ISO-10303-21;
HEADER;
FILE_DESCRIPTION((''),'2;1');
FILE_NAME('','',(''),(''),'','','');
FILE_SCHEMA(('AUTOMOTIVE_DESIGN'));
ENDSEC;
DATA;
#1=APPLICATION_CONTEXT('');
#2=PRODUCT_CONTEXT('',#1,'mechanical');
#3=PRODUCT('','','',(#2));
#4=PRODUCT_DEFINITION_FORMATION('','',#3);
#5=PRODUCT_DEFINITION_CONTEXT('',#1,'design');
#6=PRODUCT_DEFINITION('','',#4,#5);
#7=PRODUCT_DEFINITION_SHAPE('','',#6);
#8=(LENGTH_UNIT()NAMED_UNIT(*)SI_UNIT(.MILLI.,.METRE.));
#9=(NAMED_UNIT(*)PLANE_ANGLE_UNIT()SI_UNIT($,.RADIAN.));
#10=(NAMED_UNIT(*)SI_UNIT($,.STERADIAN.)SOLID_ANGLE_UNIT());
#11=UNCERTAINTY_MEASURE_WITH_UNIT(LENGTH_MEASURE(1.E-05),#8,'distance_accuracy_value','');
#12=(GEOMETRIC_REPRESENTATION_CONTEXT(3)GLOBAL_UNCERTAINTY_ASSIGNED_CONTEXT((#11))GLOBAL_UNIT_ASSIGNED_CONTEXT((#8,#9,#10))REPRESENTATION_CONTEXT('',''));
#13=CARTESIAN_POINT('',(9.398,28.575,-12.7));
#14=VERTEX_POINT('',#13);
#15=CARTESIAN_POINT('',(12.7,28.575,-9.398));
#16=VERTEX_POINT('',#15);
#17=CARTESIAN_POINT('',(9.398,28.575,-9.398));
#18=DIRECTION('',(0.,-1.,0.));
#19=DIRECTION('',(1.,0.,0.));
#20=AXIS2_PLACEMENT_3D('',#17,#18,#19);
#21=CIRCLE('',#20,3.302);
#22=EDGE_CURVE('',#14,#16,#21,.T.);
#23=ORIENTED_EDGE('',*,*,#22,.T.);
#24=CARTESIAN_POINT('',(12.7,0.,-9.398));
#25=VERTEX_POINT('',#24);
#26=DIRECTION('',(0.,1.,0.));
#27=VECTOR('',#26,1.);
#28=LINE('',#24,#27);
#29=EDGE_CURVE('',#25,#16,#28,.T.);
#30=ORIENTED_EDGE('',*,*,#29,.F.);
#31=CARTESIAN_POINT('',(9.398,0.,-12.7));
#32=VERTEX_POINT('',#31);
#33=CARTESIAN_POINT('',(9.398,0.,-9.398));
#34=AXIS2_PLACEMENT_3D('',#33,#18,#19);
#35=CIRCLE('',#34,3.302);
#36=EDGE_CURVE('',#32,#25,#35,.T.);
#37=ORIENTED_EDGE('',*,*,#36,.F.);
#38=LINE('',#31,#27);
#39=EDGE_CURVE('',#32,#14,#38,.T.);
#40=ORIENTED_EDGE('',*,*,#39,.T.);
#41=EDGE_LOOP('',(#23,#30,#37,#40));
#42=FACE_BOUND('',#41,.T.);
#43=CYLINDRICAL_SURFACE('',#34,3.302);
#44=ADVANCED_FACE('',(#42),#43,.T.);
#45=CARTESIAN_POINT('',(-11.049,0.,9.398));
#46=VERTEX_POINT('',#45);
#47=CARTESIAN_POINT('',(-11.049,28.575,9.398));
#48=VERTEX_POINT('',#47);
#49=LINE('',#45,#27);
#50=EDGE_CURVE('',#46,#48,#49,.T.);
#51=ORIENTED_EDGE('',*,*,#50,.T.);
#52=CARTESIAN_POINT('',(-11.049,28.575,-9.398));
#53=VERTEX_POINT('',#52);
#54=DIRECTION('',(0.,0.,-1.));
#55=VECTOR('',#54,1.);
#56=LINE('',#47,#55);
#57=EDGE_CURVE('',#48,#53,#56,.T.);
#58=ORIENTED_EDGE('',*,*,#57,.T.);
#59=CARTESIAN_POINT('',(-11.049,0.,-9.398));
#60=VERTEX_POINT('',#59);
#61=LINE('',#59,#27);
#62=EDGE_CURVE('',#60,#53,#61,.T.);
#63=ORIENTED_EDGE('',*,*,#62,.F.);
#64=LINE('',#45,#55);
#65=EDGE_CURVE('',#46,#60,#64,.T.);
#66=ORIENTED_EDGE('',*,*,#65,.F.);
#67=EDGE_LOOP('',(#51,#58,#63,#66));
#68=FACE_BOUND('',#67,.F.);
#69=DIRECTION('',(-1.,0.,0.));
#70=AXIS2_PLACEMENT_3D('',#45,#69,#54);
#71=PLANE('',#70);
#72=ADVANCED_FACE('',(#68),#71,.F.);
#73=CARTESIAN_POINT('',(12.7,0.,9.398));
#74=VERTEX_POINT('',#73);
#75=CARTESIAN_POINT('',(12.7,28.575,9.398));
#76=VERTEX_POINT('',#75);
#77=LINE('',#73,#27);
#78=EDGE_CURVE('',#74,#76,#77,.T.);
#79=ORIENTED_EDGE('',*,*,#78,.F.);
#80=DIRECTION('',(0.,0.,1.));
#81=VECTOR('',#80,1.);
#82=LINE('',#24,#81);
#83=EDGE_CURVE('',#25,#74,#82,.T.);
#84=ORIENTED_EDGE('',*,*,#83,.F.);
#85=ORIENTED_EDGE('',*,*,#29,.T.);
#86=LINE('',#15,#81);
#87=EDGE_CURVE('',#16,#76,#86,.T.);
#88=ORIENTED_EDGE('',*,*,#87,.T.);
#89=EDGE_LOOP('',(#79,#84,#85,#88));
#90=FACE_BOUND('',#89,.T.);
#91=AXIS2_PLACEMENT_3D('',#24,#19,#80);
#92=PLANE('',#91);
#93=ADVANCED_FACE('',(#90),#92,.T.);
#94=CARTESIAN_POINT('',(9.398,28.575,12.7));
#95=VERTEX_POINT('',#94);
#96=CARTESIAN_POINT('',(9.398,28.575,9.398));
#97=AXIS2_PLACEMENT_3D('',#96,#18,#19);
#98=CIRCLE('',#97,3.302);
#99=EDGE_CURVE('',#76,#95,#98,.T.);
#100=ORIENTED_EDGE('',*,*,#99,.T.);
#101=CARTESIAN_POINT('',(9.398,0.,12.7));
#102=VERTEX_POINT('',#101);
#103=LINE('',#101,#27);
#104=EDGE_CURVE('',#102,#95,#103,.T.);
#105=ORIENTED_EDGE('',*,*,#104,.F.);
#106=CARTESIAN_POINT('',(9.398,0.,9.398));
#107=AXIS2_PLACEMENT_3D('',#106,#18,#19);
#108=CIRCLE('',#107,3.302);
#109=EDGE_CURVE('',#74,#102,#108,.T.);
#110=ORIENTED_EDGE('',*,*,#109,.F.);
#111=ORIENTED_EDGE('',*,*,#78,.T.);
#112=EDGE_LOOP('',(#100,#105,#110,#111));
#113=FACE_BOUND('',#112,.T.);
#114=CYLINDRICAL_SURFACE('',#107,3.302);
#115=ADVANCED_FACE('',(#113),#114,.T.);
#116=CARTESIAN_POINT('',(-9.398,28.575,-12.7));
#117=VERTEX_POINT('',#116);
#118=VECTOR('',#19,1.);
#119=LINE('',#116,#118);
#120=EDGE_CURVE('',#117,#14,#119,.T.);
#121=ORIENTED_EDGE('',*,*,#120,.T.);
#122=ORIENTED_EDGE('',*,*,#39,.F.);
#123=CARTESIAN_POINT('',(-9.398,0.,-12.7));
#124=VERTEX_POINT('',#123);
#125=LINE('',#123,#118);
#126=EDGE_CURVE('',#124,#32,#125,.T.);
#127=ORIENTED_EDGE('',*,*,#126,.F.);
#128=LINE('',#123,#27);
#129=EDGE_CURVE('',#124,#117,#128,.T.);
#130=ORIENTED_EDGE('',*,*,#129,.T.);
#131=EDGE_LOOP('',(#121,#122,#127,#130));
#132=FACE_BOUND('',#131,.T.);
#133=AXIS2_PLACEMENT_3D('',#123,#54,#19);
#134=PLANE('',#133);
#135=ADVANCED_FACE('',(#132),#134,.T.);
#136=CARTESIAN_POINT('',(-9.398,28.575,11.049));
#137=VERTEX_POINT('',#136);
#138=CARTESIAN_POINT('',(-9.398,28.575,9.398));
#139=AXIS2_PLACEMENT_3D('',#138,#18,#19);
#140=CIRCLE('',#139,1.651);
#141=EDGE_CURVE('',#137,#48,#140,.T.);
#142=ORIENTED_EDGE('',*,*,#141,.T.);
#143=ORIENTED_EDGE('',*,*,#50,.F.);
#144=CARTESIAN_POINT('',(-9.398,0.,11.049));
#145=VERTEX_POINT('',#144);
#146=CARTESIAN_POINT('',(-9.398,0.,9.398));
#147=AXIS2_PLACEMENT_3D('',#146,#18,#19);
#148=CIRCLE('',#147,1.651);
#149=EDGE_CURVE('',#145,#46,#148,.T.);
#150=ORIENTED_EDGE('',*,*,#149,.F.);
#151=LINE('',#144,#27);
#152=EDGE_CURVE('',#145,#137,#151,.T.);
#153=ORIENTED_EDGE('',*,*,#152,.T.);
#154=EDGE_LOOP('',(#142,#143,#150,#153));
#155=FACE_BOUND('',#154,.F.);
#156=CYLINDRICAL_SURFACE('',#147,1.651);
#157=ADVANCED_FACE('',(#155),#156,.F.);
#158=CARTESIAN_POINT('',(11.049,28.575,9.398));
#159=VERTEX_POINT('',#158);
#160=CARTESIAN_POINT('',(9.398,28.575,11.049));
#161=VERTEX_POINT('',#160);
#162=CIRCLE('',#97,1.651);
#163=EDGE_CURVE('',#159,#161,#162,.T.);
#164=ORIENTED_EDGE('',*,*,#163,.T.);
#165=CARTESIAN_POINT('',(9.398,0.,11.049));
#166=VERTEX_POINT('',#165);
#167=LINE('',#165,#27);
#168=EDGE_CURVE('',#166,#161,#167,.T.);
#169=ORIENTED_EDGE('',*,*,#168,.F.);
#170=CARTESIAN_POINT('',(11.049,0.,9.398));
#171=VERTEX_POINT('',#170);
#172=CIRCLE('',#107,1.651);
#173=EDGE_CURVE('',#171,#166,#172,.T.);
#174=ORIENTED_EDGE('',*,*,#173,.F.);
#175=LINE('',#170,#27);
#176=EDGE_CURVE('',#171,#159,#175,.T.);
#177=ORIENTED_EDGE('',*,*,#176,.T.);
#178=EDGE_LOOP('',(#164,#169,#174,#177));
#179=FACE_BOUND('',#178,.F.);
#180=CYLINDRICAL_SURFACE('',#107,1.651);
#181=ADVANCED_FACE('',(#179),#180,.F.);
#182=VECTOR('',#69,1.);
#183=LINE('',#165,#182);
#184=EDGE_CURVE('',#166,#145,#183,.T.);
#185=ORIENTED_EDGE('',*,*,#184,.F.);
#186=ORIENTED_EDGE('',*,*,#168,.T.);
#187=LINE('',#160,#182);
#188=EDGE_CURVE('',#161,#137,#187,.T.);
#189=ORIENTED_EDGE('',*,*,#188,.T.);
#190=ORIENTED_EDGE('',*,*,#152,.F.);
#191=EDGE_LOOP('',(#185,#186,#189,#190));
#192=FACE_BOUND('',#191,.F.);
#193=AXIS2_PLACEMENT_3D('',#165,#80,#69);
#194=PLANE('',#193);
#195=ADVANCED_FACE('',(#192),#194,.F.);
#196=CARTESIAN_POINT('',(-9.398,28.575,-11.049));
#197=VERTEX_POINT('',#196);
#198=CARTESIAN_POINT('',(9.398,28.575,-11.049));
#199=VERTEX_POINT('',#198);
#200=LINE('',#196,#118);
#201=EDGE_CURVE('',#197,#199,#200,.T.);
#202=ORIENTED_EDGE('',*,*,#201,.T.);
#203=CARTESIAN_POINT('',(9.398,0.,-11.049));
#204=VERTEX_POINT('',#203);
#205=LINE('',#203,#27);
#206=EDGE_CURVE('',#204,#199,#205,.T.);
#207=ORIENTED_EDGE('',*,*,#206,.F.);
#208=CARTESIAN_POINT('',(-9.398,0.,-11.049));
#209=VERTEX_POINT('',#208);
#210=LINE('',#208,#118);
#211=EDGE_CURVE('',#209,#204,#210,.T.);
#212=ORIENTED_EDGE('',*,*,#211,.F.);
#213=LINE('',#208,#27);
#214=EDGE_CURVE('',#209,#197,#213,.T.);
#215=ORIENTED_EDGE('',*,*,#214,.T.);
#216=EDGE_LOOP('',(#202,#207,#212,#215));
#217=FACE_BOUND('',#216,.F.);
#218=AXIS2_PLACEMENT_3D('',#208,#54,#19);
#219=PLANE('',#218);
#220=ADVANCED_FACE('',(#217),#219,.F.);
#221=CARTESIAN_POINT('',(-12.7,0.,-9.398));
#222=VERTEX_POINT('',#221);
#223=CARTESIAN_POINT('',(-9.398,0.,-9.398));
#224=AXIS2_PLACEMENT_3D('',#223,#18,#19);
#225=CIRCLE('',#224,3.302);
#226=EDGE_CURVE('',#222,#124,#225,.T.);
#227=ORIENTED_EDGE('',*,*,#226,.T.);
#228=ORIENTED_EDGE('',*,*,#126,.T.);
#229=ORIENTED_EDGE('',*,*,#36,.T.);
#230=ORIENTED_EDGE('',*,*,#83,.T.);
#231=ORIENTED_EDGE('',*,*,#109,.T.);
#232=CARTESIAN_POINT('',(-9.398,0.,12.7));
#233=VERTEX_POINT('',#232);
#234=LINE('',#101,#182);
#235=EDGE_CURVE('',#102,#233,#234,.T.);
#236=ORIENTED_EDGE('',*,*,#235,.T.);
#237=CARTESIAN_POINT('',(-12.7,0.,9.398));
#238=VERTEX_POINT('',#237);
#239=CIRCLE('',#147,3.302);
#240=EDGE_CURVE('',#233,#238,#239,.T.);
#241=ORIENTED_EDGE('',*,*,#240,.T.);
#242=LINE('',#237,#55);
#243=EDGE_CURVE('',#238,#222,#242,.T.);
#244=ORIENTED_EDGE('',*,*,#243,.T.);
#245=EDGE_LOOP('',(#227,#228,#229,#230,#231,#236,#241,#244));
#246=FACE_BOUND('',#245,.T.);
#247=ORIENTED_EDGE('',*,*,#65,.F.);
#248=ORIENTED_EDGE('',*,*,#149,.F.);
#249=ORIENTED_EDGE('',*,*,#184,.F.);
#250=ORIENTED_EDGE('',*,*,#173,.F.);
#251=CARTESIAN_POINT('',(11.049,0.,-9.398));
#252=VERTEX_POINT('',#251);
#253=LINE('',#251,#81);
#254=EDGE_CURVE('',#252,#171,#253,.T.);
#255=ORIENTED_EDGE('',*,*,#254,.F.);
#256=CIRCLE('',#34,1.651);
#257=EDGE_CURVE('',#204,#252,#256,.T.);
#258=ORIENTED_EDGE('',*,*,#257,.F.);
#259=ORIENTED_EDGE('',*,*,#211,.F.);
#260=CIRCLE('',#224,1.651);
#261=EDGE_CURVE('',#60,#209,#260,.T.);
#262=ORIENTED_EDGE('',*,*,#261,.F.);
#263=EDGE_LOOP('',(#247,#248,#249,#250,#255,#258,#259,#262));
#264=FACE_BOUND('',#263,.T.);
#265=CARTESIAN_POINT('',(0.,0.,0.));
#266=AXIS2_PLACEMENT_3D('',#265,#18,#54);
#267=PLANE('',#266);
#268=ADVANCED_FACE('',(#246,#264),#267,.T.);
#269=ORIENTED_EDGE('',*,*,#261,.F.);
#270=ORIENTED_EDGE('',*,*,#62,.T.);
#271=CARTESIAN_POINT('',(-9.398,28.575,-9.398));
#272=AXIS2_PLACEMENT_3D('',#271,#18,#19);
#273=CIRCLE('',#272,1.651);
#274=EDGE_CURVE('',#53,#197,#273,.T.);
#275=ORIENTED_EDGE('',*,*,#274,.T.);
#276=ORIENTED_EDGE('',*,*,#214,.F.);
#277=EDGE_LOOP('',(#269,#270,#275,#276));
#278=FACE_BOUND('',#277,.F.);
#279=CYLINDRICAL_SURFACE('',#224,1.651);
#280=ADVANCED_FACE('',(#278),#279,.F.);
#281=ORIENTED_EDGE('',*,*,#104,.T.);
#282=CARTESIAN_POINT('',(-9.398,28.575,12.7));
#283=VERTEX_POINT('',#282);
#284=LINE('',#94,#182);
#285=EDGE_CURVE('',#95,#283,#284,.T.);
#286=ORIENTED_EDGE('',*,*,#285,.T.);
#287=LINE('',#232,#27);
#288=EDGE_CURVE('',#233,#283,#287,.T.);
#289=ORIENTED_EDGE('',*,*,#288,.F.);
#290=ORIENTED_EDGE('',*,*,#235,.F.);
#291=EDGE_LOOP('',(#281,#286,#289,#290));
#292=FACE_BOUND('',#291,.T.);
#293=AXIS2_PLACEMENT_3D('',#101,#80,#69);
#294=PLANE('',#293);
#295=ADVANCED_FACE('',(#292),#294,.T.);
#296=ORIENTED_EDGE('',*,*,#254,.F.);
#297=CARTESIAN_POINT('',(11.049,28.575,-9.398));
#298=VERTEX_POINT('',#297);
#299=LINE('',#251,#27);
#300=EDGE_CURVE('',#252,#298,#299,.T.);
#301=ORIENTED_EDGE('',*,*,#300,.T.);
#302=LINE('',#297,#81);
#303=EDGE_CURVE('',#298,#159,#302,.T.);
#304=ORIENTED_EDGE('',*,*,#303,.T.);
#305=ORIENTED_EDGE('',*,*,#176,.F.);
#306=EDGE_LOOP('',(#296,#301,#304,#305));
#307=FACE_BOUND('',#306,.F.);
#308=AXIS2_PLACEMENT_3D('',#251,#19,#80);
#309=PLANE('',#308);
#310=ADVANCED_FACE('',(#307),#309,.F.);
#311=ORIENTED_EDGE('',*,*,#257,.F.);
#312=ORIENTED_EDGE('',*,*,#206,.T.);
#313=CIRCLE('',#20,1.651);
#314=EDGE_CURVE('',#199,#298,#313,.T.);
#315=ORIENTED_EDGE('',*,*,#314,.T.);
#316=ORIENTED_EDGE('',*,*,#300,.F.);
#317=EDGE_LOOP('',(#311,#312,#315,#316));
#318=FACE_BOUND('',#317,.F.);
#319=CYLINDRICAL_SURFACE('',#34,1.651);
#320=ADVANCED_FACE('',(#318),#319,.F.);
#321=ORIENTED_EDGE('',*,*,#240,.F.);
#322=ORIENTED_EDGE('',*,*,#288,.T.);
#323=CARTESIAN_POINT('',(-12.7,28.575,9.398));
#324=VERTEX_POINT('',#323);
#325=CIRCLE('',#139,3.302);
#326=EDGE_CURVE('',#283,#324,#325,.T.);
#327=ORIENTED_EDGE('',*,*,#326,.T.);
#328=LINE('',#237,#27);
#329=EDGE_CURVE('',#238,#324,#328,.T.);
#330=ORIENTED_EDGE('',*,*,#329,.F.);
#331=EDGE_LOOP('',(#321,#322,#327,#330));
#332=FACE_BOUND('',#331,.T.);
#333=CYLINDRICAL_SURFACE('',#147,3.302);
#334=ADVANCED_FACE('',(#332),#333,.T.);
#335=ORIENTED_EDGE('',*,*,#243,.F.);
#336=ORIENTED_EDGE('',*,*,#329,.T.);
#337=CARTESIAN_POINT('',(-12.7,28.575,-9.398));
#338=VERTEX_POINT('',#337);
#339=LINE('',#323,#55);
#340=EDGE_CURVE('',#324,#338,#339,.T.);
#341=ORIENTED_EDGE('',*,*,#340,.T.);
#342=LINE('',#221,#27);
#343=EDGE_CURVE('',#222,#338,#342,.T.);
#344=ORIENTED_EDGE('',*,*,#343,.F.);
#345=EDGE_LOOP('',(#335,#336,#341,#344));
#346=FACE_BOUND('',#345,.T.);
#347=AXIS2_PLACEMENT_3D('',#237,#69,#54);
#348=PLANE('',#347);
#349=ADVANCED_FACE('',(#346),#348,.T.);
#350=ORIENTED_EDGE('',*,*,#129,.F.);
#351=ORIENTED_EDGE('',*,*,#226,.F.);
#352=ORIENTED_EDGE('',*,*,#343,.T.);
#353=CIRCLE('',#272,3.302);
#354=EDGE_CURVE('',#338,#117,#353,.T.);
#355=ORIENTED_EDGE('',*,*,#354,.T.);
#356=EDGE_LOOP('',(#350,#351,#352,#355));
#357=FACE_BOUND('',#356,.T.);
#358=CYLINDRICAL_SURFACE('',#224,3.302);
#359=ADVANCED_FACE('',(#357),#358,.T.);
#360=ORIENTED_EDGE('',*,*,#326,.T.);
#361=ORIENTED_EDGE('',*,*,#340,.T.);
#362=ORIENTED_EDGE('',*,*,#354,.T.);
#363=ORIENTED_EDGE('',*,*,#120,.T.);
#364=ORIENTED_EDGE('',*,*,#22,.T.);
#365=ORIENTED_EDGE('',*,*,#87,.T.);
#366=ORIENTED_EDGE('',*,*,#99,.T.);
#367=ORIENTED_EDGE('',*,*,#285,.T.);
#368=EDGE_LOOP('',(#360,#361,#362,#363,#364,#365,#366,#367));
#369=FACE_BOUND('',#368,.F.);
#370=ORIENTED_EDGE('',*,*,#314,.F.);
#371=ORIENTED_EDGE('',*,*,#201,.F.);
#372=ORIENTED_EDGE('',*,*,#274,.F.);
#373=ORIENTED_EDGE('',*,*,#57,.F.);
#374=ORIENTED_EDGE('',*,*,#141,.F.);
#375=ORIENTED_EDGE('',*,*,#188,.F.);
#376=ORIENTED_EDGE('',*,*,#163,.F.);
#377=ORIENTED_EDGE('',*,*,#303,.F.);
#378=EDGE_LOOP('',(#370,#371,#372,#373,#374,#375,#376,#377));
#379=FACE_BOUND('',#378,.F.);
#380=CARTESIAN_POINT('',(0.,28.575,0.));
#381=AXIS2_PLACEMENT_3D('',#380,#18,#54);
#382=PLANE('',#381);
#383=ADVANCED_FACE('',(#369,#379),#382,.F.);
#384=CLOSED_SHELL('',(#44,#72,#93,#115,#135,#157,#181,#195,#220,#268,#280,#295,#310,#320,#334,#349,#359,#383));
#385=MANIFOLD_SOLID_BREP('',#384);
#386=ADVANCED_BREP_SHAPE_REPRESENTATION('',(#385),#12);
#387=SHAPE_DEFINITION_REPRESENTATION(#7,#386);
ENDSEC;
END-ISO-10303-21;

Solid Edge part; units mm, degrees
sketch "Sketch1" plane through (0, 0, 0) normal (0, -1, 0) x (1, 0, 0)
  line L0 (-11.049, 9.398) -> (-11.049, -9.398)
  arc A0 (-11.049, -9.398) -> (-9.398, -11.049) centre (-9.398, -9.398) ccw
  line L1 (-9.398, -11.049) -> (9.398, -11.049)
  arc A1 (9.398, -11.049) -> (11.049, -9.398) centre (9.398, -9.398) ccw
  line L2 (11.049, -9.398) -> (11.049, 9.398)
  arc A2 (11.049, 9.398) -> (9.398, 11.049) centre (9.398, 9.398) ccw
  line L3 (9.398, 11.049) -> (-9.398, 11.049)
  arc A3 (-9.398, 11.049) -> (-11.049, 9.398) centre (-9.398, 9.398) ccw
  arc A4 (-12.7, -9.398) -> (-9.398, -12.7) centre (-9.398, -9.398) ccw
  line L4 (-9.398, -12.7) -> (9.398, -12.7)
  arc A5 (9.398, -12.7) -> (12.7, -9.398) centre (9.398, -9.398) ccw
  line L5 (12.7, -9.398) -> (12.7, 9.398)
  arc A6 (12.7, 9.398) -> (9.398, 12.7) centre (9.398, 9.398) ccw
  line L6 (9.398, 12.7) -> (-9.398, 12.7)
  arc A7 (-9.398, 12.7) -> (-12.7, 9.398) centre (-9.398, 9.398) ccw
  line L7 (-12.7, 9.398) -> (-12.7, -9.398)
  dimension "D1" = 25.4
  dimension "D2" = 25.4
  dimension "D3" = 1.651
  dimension "D4" = 1.651
  dimension "D5" = 1.651
  dimension "D6" = 1.651
extrude "Protrusion1" add sketch "Sketch1" against normal blind 28.575
